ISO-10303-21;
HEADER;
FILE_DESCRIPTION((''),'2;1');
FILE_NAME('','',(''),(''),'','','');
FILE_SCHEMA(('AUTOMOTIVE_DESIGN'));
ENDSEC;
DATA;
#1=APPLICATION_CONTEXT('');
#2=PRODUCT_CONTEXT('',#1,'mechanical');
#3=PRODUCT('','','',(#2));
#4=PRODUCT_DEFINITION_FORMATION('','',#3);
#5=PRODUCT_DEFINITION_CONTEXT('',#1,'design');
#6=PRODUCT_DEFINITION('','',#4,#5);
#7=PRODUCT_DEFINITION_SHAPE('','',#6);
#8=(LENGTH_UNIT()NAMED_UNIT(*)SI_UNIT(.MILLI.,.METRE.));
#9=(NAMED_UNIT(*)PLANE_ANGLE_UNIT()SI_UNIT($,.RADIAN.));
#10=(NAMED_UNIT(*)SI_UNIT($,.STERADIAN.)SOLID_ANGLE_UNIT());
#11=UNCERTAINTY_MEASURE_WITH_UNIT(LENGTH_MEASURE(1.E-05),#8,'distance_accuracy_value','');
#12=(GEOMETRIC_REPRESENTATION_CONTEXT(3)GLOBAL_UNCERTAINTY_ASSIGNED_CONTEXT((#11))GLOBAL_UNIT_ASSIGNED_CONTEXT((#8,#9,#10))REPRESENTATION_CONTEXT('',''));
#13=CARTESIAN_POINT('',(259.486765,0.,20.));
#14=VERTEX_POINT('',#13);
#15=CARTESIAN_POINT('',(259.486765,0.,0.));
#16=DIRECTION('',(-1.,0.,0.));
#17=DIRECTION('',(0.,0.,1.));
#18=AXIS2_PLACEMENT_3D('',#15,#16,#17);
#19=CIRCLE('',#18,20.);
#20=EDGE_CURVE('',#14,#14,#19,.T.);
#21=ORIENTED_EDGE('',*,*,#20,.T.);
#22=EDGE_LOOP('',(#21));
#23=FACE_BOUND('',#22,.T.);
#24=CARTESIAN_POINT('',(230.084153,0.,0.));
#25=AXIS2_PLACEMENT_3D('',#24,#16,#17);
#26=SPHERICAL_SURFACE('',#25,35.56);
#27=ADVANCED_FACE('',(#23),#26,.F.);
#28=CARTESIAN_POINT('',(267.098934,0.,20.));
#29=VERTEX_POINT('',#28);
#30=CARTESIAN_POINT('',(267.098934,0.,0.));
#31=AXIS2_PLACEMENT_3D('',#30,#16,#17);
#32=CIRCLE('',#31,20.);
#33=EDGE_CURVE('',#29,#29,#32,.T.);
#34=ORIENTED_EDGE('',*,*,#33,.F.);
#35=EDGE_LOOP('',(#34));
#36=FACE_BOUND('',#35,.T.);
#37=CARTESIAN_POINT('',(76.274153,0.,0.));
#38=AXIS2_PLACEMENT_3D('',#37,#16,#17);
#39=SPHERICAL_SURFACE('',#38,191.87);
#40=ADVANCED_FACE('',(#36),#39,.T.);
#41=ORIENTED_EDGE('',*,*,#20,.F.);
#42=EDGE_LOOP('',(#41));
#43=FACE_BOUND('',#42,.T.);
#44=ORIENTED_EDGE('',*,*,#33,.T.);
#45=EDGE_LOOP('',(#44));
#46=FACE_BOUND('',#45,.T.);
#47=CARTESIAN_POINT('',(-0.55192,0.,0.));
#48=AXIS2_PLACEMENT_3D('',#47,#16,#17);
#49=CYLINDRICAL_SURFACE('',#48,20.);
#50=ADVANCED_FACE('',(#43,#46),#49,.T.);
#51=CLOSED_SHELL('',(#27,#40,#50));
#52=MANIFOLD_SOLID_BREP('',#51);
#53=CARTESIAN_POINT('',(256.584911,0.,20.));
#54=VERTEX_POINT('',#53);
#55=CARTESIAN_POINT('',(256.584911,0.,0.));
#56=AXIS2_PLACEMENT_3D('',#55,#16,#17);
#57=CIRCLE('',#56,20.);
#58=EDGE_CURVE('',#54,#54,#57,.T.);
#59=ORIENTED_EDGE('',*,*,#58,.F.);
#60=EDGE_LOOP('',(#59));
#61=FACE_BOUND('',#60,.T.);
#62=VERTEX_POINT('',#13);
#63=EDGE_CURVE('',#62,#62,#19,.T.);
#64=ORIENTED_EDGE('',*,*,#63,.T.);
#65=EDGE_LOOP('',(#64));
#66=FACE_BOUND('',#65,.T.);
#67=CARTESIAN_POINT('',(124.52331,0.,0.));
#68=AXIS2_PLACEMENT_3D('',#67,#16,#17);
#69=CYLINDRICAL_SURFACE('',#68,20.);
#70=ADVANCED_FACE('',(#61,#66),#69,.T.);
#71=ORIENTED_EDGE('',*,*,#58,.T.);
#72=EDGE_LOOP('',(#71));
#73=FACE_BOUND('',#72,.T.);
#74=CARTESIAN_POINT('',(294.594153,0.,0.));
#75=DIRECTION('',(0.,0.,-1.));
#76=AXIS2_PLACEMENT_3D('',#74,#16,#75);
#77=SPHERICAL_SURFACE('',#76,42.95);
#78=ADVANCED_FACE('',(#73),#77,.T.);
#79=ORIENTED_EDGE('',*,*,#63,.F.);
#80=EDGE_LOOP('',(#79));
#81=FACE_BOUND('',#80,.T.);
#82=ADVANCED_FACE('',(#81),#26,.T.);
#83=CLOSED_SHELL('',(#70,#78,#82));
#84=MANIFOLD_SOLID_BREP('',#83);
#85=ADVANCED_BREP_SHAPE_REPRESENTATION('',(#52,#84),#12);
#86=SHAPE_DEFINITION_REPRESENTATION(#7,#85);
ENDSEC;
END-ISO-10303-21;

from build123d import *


with BuildPart() as part:
    # 草图1 one side → 旋转1 (revolve)
    with BuildSketch(Plane(origin=(0, 0, 0), x_dir=(1, 0, 0), z_dir=(0, 1, 0)), mode=Mode.PRIVATE) as revolve_1_sk:
        with BuildLine():
            ThreePointArc((256.584910904, 20), (252.897633822, 10.300619965), (251.644153201, 0))
            Line((251.644153201, 0), (265.644153201, 0))
            ThreePointArc((265.644153201, 0), (264.069962647, 10.463190543), (259.48676533, 20))
            Line((259.48676533, 20), (256.584910904, 20))
        make_face()
    revolve(revolve_1_sk.sketch.rotate(Axis((124.523309526, 0, 0), (1, 0, 0)), 180), axis=Axis((124.523309526, 0, 0), (1, 0, 0)))  # turned: the seam where the file's is


with BuildPart() as body_2:
    # 草图2 one side → 旋转3 (revolve)
    with BuildSketch(Plane(origin=(0, 0, 0), x_dir=(1, 0, 0), z_dir=(0, 1, 0)), mode=Mode.PRIVATE) as revolve_3_sk:
        with BuildLine():
            Line((267.098933825, 20), (259.48676533, 20))
            ThreePointArc((259.48676533, 20), (264.069962647, 10.463190543), (265.644153201, 0))
            Line((265.644153201, 0), (268.144153201, 0))
            ThreePointArc((268.144153201, 0), (267.882670181, 10.013646733), (267.098933825, 20))
        make_face()
    revolve(revolve_3_sk.sketch.rotate(Axis((-0.551919993, 0, 0), (1, 0, 0)), 180), axis=Axis((-0.551919993, 0, 0), (1, 0, 0)))  # turned: the seam where the file's is


solid = Compound([part.part, body_2.part])
